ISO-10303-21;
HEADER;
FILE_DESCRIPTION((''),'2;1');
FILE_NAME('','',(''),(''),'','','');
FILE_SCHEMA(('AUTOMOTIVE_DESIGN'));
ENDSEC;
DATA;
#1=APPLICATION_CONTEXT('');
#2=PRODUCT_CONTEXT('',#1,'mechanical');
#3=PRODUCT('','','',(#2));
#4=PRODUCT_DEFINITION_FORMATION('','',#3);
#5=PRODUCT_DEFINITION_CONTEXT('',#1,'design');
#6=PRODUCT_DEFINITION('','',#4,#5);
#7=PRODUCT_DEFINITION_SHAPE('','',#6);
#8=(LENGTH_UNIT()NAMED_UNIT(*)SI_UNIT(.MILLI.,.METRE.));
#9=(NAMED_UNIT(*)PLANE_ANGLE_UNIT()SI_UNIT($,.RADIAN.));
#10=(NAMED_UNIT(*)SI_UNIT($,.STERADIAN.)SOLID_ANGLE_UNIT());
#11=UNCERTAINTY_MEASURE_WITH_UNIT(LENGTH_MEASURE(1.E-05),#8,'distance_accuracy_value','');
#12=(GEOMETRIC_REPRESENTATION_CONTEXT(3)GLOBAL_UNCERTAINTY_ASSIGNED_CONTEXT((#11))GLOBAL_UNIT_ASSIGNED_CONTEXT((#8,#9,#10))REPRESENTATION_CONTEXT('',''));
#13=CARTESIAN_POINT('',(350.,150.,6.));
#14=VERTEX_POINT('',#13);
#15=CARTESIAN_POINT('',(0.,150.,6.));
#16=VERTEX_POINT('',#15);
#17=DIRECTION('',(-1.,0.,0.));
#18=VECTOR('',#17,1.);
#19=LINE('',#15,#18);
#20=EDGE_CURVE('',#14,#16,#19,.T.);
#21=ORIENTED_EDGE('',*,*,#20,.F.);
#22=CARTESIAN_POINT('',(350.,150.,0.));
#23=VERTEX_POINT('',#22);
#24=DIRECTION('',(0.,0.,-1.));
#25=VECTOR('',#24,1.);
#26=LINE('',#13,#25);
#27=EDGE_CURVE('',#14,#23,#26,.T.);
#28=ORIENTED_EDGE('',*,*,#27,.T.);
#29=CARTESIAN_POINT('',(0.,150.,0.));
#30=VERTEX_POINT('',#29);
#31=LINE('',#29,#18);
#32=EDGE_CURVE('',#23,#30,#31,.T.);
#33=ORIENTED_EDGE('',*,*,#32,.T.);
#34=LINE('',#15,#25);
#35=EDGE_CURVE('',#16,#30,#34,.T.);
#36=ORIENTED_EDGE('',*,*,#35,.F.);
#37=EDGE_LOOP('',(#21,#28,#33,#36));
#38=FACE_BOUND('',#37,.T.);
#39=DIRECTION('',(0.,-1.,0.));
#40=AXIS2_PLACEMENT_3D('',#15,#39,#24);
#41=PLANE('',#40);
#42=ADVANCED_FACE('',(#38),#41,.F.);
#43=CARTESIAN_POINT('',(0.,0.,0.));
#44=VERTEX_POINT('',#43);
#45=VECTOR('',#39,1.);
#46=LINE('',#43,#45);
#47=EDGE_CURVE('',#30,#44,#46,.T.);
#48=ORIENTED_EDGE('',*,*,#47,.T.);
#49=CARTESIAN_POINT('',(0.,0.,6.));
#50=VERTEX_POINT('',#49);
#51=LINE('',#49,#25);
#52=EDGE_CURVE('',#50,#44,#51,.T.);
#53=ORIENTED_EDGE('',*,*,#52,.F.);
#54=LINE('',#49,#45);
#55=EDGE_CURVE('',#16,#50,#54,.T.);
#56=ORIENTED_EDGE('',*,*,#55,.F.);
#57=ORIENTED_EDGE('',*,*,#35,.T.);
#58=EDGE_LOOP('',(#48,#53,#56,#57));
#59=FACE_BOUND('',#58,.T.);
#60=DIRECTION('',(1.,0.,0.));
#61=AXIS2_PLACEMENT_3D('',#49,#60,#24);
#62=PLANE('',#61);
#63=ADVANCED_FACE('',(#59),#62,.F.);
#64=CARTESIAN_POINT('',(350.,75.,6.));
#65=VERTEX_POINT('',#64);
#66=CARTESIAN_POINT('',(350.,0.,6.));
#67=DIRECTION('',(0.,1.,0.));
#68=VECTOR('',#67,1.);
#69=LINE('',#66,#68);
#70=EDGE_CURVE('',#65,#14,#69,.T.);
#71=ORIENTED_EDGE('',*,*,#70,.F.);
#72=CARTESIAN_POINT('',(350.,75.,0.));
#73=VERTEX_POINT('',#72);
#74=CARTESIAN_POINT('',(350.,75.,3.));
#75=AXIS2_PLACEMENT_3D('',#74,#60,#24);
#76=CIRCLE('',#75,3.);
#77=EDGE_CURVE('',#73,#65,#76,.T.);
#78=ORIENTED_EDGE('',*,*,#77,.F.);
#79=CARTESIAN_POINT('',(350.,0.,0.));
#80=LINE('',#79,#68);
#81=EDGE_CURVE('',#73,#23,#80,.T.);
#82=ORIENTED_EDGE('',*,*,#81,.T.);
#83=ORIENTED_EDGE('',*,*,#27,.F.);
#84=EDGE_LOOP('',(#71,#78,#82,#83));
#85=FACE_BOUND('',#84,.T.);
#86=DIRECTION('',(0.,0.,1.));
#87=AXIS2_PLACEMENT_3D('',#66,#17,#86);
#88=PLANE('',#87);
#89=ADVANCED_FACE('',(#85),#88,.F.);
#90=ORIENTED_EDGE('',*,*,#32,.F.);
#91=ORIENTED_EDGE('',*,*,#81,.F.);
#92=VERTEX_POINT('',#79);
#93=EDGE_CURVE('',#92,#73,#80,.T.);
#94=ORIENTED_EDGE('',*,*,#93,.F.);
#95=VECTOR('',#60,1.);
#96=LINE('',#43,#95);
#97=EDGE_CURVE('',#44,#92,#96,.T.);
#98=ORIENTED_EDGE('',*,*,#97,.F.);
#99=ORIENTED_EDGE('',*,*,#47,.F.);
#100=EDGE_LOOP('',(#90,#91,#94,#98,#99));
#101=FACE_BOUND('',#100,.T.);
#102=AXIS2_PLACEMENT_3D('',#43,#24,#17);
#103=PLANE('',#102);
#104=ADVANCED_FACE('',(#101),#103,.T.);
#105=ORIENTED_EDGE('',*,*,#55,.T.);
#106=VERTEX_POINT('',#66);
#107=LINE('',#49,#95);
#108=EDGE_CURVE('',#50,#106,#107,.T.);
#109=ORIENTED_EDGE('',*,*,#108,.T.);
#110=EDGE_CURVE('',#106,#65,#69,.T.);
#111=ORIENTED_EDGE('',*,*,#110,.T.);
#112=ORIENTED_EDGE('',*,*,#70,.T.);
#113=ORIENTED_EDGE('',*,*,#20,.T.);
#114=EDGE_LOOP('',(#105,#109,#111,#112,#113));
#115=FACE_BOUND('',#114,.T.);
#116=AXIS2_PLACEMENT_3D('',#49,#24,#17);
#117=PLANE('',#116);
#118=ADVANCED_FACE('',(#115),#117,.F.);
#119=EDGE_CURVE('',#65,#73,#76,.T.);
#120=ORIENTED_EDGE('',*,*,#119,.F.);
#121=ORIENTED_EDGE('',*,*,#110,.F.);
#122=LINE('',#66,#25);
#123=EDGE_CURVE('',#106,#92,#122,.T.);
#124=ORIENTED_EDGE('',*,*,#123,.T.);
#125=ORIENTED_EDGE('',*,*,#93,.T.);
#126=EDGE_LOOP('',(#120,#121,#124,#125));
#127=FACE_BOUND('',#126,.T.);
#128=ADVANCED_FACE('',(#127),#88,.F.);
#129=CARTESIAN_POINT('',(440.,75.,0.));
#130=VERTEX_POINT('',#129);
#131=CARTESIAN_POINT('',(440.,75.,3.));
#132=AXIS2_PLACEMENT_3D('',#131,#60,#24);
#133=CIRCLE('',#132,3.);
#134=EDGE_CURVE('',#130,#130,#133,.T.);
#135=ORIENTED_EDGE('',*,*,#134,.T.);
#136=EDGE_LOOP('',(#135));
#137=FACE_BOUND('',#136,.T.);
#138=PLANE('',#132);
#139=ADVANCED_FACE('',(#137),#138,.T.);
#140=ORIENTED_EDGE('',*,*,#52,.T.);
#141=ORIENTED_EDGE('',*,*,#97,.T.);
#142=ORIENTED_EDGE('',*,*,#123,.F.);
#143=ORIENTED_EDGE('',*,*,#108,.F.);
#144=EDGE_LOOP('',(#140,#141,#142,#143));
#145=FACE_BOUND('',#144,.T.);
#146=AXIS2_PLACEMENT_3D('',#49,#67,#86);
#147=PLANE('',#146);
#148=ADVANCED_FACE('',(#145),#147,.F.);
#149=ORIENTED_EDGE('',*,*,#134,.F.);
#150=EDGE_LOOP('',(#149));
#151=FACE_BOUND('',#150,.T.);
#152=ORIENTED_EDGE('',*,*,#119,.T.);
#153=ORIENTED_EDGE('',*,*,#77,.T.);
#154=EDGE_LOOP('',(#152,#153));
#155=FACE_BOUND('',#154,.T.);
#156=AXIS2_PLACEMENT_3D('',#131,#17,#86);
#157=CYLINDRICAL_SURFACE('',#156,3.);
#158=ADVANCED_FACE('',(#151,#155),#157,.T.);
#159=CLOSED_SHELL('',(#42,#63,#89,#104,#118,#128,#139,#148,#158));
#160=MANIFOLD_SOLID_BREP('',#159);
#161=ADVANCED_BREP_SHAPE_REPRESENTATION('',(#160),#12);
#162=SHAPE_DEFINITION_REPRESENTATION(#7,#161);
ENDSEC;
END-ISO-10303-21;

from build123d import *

# Parameters (mm, degrees)
SKETCH_1_W      = 350
SKETCH_1_H      = 150
EXTRUDE_1_DEPTH = 6
SKETCH_2_R      = 3
EXTRUDE_2_DEPTH = 90


with BuildPart() as part:
    # 草图1 → 凸台-拉伸1 (new body)
    with BuildSketch(Plane.XY):
        with Locations((175, 75)):
            Rectangle(SKETCH_1_W, SKETCH_1_H)
    extrude(amount=EXTRUDE_1_DEPTH)

    # 草图2 → 凸台-拉伸2 (add)
    with BuildSketch(Plane(origin=(350, 0, 0), x_dir=(0, 0, -1), z_dir=(1, 0, 0))):
        with Locations((-3, 75)):
            Circle(SKETCH_2_R)
    extrude(amount=EXTRUDE_2_DEPTH)


solid = part.part
